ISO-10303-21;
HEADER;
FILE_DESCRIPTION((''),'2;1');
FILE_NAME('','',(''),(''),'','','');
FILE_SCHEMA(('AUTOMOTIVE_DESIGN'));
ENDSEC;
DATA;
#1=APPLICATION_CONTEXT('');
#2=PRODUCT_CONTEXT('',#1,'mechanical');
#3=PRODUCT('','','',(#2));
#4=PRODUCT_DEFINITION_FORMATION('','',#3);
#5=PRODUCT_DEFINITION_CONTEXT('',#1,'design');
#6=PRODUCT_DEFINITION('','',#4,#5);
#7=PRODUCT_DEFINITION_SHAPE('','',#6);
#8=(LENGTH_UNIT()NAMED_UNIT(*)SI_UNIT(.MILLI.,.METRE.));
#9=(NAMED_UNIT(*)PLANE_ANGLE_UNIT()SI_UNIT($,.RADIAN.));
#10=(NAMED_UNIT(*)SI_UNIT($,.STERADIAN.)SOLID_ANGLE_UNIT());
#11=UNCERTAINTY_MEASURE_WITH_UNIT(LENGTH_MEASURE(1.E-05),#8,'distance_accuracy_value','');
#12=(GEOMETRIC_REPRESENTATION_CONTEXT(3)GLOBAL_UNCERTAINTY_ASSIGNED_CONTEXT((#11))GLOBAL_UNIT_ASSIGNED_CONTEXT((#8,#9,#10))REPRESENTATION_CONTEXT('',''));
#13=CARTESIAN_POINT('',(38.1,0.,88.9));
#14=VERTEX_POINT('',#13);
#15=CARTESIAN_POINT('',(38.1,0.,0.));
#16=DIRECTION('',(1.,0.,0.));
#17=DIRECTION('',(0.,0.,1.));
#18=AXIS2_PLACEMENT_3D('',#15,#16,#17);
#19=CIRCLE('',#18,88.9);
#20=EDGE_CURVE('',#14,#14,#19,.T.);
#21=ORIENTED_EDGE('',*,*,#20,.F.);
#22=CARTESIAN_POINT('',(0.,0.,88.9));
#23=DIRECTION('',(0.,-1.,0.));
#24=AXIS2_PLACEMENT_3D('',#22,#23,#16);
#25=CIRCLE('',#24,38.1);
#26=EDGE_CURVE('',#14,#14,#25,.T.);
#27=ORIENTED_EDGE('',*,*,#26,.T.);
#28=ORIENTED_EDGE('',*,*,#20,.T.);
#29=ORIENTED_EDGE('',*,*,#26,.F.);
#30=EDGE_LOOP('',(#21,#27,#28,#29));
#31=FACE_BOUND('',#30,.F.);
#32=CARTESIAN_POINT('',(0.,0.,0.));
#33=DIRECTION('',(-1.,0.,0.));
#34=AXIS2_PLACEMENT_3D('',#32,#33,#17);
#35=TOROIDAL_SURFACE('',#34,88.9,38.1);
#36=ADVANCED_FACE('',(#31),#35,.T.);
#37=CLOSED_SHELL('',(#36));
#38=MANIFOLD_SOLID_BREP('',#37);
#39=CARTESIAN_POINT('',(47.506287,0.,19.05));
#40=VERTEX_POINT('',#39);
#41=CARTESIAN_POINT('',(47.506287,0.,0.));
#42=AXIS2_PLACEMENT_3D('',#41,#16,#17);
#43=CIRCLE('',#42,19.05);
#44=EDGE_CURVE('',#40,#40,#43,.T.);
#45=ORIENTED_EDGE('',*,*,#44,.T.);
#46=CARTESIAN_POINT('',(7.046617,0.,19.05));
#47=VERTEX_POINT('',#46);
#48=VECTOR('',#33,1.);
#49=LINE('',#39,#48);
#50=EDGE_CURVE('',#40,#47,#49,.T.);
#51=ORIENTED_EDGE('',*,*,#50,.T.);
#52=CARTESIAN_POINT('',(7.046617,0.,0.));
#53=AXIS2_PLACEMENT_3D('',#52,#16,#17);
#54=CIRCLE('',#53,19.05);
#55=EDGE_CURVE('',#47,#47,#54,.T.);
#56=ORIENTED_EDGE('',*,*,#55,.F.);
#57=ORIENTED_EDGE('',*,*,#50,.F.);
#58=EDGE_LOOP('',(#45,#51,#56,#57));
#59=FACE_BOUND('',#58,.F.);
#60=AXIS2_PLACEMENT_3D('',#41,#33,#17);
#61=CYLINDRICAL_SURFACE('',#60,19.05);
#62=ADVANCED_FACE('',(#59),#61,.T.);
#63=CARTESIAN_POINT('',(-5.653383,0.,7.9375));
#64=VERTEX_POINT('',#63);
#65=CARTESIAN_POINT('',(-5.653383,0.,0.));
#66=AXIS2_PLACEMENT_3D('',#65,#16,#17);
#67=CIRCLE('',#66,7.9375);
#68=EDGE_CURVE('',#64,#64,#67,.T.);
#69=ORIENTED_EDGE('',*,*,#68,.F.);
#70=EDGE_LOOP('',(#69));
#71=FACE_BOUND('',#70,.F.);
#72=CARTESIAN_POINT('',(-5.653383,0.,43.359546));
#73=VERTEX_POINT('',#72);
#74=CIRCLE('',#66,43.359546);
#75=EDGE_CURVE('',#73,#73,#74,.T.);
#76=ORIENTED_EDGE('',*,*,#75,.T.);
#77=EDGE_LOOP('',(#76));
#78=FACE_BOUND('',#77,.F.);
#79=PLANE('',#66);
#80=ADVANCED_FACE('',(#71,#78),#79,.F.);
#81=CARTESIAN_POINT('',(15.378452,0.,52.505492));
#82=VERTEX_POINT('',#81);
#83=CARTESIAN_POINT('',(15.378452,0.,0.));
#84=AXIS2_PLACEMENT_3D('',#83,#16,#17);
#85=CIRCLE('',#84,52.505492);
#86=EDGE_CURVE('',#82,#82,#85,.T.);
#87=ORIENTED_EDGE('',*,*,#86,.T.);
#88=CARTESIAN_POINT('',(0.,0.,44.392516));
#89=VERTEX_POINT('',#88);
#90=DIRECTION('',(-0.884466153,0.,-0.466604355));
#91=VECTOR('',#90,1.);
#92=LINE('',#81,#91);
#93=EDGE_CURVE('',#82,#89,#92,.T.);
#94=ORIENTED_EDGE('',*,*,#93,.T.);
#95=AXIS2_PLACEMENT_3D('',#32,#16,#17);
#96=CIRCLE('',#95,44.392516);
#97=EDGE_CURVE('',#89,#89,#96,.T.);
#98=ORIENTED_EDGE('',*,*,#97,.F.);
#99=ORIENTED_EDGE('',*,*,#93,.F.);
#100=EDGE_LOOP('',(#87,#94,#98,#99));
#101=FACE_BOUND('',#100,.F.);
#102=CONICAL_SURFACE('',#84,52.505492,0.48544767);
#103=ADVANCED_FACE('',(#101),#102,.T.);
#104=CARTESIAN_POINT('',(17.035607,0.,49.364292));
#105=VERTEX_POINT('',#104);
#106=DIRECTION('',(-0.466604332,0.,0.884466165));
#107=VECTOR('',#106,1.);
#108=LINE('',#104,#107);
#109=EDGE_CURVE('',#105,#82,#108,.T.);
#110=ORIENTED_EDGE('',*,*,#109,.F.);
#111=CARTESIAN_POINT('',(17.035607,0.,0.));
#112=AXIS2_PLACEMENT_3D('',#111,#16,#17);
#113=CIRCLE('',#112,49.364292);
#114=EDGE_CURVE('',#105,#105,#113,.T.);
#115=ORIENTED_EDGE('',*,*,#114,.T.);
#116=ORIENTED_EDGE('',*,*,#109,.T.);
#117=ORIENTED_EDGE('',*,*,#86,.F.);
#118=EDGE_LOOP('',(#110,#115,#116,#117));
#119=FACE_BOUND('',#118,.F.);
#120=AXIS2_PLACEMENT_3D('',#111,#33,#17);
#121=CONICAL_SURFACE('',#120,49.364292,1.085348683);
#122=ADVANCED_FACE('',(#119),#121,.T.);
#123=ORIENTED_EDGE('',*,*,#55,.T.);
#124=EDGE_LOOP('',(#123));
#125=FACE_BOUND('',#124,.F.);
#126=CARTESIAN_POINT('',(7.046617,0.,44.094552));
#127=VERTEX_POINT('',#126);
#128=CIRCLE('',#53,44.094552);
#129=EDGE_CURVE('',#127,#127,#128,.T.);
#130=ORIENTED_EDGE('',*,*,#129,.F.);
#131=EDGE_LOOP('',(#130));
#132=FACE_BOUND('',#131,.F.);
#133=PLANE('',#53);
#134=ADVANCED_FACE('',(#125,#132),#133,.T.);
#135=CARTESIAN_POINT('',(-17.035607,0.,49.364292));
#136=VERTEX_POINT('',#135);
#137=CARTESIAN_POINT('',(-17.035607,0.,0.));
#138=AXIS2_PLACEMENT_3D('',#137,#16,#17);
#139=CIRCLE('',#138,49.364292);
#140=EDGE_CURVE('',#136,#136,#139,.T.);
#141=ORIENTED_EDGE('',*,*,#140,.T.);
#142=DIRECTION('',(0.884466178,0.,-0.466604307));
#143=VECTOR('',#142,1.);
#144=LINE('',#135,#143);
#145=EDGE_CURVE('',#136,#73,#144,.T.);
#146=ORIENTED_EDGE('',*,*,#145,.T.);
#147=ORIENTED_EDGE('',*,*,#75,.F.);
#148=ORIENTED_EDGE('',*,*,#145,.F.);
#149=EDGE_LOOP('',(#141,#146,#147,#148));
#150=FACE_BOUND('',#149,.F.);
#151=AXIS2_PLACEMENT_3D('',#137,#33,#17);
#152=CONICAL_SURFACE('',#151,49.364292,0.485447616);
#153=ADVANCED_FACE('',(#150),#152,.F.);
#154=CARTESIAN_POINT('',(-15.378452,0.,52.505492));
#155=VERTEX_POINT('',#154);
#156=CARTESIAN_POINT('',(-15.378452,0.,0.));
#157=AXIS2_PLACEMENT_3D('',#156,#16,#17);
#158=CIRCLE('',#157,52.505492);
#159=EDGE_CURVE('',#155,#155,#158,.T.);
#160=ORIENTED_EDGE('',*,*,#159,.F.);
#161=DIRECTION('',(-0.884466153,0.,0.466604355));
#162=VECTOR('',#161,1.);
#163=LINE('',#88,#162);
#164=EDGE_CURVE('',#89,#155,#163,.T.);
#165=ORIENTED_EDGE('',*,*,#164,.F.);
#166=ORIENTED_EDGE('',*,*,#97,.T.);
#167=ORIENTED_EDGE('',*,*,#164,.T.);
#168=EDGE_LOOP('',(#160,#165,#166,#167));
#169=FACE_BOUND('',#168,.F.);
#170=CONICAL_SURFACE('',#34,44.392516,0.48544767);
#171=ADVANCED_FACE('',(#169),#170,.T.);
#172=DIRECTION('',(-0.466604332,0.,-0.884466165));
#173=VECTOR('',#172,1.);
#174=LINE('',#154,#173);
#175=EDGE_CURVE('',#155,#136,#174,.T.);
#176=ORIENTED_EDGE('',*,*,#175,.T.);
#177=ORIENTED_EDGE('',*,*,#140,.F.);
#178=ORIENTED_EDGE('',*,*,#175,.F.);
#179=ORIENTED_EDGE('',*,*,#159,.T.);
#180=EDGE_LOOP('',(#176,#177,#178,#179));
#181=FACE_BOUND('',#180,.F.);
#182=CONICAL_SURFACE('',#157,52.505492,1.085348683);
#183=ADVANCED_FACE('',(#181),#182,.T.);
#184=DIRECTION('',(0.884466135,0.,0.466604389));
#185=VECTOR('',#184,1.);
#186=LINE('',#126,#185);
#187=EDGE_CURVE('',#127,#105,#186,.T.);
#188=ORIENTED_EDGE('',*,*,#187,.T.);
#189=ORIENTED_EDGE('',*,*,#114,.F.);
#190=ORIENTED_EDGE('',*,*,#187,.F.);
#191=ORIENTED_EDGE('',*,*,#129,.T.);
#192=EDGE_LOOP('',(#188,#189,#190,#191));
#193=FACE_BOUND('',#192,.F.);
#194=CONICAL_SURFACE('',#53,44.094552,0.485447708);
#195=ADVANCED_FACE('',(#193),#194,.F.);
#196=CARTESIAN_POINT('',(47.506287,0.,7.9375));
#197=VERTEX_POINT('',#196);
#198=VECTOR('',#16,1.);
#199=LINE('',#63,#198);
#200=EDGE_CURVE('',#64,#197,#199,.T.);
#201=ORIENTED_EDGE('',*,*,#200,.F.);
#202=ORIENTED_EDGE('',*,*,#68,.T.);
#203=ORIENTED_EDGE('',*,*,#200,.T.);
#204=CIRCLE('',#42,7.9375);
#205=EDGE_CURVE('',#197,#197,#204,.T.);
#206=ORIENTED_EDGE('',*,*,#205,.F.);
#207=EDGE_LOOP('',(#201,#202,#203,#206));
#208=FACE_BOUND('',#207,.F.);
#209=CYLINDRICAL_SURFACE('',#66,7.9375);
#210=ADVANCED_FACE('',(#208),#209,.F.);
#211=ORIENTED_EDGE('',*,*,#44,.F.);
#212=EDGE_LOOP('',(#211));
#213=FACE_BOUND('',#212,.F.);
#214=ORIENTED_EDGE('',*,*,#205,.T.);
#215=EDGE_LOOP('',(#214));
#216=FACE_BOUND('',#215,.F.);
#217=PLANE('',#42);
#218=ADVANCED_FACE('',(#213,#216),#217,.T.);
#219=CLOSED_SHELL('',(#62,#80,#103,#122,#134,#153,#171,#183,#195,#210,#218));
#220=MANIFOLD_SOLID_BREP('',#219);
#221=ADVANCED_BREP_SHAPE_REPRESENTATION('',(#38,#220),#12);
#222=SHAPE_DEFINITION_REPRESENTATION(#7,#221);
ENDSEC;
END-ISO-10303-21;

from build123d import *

# Parameters (mm, degrees)
F0_R = 38.1


with BuildPart() as f1:
    # F0 (on Front) → F1 (revolve)
    with BuildSketch(Plane.XZ):
        with Locations((0, 88.9)):
            Circle(F0_R)
        Polygon((-5.653383, 43.359546), (-5.653383, 7.9375), (47.506287, 7.9375), (47.506287, 19.05), (7.046617, 19.05), (7.046617, 44.094552), (17.035607, 49.364292), (15.378452, 52.505492), (0, 44.392516), (-15.378452, 52.505492), (-17.035607, 49.364292), align=None)
    revolve(axis=Axis((5.978525, 0, 0), (1, 0, 0)))


solid = f1.part
